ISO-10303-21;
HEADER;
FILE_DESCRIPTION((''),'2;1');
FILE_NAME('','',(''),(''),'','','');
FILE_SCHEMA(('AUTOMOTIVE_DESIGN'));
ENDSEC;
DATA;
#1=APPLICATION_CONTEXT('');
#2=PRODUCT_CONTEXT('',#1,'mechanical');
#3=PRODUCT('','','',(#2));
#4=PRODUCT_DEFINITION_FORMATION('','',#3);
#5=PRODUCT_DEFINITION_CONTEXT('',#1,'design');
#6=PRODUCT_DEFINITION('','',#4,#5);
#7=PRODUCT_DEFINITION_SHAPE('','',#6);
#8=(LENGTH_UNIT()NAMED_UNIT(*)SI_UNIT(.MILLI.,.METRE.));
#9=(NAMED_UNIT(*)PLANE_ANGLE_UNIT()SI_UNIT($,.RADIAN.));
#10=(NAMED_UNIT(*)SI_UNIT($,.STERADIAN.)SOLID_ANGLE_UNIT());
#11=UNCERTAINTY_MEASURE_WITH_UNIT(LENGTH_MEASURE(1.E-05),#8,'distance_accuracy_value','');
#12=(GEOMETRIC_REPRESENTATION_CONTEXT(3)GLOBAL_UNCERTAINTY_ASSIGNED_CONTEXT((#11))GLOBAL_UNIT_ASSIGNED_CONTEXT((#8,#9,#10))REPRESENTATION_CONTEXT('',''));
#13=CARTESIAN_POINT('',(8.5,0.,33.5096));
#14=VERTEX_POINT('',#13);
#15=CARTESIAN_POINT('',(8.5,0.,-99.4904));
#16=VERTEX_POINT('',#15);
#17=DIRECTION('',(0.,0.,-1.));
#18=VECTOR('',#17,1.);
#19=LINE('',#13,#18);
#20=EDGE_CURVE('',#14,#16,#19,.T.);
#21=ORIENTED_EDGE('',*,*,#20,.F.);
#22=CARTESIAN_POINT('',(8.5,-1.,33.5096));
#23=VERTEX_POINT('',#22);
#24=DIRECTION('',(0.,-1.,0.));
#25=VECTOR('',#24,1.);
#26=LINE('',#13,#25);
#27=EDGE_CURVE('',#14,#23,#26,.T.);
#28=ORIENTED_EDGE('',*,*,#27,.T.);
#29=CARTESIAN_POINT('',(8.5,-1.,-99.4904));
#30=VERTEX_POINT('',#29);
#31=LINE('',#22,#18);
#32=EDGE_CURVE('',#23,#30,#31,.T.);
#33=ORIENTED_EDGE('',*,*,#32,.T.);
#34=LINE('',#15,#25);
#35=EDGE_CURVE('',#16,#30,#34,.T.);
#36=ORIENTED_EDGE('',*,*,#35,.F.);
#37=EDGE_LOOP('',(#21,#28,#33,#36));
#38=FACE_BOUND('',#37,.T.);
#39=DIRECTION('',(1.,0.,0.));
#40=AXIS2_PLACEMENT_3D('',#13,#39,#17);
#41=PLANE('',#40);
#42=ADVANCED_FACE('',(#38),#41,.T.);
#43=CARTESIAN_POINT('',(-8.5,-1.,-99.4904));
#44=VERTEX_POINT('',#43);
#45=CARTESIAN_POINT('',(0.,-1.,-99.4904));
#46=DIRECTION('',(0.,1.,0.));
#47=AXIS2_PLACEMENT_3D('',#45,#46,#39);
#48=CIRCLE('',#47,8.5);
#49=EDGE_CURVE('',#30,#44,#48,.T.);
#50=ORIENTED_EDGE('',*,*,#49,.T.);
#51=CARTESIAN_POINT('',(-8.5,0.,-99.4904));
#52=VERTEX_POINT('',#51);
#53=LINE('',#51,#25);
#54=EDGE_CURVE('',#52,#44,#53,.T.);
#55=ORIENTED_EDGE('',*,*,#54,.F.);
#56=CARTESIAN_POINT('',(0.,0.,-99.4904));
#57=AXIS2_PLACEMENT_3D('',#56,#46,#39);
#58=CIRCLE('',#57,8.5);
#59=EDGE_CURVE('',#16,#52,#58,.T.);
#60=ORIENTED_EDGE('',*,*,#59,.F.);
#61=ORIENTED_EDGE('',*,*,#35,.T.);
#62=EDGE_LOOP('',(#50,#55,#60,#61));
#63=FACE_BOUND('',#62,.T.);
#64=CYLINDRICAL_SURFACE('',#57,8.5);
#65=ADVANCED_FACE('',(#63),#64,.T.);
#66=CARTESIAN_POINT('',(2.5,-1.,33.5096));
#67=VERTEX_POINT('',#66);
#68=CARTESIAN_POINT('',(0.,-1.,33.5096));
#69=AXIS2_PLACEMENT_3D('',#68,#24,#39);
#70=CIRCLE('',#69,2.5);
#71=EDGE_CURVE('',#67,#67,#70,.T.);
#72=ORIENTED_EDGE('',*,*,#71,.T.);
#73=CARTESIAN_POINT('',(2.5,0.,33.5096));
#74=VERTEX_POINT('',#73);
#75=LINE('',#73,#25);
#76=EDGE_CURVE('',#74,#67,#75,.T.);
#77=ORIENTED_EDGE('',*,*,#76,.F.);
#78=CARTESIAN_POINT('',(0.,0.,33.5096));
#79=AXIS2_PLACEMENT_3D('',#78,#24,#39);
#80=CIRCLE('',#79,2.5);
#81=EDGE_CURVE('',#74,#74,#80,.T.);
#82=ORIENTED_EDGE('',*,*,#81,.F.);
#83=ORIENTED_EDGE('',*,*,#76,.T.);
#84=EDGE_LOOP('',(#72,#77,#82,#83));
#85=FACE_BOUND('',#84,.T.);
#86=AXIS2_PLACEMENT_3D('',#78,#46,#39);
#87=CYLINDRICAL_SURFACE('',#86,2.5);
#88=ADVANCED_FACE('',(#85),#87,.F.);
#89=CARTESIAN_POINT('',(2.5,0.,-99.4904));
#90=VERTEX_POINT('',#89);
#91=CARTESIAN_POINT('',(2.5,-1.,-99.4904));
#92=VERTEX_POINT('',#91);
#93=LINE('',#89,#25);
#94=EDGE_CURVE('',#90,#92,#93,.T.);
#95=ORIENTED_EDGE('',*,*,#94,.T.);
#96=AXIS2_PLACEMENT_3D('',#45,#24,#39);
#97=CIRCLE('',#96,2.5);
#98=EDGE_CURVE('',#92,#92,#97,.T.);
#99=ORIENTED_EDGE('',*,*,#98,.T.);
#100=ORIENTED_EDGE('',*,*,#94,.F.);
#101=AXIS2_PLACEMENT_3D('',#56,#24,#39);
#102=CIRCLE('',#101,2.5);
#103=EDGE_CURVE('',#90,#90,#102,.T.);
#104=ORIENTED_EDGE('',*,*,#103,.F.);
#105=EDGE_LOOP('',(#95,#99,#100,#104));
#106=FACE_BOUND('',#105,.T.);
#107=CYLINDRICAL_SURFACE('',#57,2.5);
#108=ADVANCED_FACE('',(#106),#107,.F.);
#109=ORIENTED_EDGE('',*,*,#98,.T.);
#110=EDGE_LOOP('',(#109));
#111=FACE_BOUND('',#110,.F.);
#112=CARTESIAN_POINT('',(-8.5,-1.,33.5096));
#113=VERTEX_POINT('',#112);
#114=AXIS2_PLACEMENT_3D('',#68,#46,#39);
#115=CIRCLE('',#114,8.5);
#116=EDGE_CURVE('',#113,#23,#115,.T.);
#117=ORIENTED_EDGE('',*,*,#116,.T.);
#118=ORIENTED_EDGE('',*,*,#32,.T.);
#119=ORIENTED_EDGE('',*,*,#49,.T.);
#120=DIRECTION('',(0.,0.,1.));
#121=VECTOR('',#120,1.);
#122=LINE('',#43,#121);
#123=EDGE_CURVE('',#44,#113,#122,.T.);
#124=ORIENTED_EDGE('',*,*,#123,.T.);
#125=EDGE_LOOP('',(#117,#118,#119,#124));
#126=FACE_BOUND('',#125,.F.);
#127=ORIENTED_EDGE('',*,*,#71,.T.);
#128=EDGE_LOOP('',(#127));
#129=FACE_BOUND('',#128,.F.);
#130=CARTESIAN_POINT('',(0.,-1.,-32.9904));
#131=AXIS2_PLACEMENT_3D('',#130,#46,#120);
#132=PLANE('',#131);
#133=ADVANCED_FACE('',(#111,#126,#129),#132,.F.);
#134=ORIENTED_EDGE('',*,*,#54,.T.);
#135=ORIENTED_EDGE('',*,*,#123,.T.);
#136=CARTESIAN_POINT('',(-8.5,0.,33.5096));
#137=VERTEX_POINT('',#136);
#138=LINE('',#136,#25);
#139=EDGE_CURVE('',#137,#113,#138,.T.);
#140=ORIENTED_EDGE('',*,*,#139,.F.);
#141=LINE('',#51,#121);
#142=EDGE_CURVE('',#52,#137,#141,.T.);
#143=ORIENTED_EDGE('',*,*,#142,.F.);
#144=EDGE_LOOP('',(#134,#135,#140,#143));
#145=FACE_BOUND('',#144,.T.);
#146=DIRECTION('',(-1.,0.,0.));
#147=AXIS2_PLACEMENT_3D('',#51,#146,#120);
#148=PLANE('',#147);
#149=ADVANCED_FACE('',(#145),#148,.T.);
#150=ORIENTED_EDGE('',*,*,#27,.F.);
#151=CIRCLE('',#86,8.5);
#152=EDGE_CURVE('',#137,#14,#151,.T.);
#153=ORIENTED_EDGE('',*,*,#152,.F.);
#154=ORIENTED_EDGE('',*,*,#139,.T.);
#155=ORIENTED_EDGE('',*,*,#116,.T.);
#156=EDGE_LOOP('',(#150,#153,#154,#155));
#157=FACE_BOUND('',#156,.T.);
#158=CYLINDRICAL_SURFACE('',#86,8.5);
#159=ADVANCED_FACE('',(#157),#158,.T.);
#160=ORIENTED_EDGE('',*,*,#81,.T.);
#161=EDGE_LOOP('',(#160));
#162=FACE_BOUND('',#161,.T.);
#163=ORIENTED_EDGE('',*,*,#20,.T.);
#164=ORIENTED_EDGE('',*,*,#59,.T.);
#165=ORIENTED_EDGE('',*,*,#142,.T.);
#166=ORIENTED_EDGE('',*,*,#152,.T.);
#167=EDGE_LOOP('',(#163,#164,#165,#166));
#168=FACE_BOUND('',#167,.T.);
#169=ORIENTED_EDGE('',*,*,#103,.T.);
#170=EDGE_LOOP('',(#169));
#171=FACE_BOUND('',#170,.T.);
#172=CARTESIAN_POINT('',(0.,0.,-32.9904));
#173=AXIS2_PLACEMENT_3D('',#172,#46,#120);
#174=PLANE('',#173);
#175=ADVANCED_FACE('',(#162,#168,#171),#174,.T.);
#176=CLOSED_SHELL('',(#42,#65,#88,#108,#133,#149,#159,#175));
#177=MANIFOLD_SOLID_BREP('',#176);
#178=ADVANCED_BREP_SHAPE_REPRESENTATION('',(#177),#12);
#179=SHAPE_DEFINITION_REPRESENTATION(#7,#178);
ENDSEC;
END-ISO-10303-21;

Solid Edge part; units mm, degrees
sketch "Sketch1" plane through (0, 0, 0) normal (0, -1, 0) x (1, 0, 0)
  circle A0 centre (0, 33.5096) radius 2.5
  line L0 (8.5, 33.5096) -> (8.5, -99.4904)
  line L1 (-8.5, -99.4904) -> (-8.5, 33.5096)
  arc A1 (8.5, -99.4904) -> (-8.5, -99.4904) centre (0, -99.4904) cw
  arc A2 (-8.5, 33.5096) -> (8.5, 33.5096) centre (0, 33.5096) cw
  circle A3 centre (0, -99.4904) radius 2.5
extrude "Protrusion1" add sketch "Sketch1" along normal blind 1
